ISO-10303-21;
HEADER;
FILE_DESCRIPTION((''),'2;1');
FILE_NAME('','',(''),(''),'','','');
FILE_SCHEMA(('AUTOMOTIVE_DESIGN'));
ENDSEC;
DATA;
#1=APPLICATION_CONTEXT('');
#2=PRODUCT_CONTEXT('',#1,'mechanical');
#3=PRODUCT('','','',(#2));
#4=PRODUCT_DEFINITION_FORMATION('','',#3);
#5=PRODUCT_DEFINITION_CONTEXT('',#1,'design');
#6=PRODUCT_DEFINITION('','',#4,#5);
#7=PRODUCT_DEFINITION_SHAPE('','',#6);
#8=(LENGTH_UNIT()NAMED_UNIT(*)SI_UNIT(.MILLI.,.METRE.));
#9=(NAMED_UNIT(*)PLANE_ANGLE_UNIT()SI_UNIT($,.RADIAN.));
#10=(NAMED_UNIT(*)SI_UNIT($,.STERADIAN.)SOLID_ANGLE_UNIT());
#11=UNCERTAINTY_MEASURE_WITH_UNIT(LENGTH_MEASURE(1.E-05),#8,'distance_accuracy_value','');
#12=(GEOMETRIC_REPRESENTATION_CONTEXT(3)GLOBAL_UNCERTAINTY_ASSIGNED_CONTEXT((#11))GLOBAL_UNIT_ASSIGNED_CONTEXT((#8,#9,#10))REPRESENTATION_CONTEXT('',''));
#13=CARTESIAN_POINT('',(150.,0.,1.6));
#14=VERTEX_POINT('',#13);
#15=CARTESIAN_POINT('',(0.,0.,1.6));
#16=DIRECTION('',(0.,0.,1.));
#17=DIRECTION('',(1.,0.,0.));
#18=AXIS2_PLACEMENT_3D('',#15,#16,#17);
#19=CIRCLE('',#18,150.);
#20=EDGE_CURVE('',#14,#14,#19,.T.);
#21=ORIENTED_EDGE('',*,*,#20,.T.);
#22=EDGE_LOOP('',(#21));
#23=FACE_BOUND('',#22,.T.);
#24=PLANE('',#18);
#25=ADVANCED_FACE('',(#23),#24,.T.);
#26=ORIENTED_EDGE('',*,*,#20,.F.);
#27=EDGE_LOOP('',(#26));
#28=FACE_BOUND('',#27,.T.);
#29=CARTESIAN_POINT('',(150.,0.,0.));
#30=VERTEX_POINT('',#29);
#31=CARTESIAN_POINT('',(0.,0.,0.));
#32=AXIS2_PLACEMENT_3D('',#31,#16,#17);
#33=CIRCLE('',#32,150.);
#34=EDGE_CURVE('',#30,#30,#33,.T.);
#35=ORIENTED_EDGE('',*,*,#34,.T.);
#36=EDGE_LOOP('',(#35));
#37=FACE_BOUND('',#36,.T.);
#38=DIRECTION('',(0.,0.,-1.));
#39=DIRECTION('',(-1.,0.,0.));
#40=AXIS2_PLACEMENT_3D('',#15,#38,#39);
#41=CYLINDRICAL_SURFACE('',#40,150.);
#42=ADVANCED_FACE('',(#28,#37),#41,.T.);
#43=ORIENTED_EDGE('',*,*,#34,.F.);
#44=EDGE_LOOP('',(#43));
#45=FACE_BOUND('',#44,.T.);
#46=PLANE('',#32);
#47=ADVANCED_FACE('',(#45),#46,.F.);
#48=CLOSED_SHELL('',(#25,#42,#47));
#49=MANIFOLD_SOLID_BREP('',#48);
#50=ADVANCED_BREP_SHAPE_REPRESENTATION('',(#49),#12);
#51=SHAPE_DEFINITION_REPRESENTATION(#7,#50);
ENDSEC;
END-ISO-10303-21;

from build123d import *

# Parameters (mm, degrees)
PCB_OUTLINE_PILOT_R   = 150
PCB_1P6MM_PILOT_DEPTH = 1.6


with BuildPart() as part:
    # PCB_Outline_Pilot → PCB_1p6mm_Pilot (new body)
    with BuildSketch(Plane.XY):
        Circle(PCB_OUTLINE_PILOT_R)
    extrude(amount=PCB_1P6MM_PILOT_DEPTH)


solid = part.part
